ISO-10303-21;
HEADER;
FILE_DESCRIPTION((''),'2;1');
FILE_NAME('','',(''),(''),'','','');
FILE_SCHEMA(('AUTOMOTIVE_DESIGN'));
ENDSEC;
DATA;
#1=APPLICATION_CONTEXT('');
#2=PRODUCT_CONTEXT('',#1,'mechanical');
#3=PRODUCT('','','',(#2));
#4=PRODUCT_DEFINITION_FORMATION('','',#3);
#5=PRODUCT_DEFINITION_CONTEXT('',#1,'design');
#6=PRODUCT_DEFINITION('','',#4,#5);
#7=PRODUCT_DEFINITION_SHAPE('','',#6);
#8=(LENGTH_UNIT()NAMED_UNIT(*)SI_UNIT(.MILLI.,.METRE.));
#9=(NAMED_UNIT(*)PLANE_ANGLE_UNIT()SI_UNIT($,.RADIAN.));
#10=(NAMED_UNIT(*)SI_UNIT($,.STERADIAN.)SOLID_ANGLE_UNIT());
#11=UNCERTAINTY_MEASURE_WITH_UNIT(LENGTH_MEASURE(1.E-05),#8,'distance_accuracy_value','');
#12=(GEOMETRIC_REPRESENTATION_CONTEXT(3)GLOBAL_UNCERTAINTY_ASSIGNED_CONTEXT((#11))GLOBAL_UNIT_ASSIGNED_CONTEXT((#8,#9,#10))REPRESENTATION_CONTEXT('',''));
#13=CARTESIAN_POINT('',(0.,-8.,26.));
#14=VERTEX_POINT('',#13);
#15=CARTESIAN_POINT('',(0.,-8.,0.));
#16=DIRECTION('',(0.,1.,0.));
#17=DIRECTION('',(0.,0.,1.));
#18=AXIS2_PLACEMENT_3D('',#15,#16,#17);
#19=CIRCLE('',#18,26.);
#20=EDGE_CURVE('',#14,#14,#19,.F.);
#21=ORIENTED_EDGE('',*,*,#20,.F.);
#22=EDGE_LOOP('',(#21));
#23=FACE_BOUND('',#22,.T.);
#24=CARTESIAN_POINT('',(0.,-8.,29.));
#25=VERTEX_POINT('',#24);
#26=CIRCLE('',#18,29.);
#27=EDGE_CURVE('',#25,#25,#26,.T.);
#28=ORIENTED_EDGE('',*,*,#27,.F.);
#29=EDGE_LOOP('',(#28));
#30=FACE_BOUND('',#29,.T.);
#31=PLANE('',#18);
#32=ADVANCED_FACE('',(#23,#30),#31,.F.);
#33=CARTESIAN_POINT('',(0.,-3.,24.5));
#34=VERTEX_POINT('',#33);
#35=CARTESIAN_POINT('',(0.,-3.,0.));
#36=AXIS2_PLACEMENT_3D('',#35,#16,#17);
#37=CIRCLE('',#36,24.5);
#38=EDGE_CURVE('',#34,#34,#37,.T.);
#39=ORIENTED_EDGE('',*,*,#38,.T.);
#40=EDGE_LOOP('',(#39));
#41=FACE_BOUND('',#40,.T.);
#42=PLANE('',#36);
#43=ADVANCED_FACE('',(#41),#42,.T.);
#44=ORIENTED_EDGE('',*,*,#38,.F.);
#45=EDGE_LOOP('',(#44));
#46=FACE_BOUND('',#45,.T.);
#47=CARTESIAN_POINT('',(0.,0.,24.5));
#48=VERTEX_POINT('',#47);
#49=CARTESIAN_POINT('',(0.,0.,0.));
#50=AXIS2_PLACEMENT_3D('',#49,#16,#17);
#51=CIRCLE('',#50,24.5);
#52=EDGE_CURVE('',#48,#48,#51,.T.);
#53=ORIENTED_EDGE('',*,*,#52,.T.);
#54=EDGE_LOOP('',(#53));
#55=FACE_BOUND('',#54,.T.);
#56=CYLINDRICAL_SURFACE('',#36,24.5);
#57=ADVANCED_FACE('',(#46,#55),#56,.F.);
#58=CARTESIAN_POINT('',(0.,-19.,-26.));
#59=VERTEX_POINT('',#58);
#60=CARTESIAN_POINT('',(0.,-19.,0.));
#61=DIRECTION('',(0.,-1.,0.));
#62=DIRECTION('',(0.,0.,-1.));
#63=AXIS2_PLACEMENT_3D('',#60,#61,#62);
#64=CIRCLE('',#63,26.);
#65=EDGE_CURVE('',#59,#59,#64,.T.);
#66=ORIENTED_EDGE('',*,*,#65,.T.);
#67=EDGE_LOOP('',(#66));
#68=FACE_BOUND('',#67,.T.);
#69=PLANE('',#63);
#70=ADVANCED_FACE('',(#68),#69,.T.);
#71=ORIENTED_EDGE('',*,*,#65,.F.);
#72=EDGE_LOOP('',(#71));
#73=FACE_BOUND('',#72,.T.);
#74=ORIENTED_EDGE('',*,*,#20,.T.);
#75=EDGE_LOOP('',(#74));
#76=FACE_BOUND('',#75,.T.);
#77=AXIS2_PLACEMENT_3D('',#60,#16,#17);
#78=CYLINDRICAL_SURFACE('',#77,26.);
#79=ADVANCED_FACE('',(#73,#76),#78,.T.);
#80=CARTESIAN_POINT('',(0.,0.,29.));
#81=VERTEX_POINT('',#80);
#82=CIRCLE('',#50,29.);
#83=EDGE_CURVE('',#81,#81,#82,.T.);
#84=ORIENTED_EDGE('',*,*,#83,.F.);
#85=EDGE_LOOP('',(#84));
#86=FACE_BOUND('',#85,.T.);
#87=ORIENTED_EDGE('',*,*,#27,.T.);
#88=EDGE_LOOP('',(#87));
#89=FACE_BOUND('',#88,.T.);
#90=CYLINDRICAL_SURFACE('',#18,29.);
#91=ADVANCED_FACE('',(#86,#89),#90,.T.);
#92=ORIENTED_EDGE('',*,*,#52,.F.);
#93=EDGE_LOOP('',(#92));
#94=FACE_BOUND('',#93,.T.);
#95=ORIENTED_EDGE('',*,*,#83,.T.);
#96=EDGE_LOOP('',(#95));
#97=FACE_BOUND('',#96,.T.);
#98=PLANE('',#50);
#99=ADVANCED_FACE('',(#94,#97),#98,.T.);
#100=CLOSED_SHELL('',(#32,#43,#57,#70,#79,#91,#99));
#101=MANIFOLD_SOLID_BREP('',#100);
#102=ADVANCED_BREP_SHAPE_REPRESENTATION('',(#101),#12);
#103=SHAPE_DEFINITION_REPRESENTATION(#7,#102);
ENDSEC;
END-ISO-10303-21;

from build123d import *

# Parameters (mm, degrees)
SKETCH1_R           = 29
BOSS_EXTRUDE1_DEPTH = 8
SKETCH2_R           = 26
BOSS_EXTRUDE2_DEPTH = 11
SKETCH3_R           = 24.5
CUT_EXTRUDE1_DEPTH  = 3


with BuildPart() as part:
    # Sketch1 → Boss-Extrude1 (new body)
    with BuildSketch(Plane(origin=(0, 0, 0), x_dir=(1, 0, 0), z_dir=(0, 1, 0))):
        Circle(SKETCH1_R)
    extrude(amount=-BOSS_EXTRUDE1_DEPTH)

    # Sketch2 → Boss-Extrude2 (add)
    with BuildSketch(Plane.XZ.offset(8)):
        Circle(SKETCH2_R)
    extrude(amount=BOSS_EXTRUDE2_DEPTH)

    # Sketch3 → Cut-Extrude1 (cut)
    with BuildSketch(Plane(origin=(0, 0, 0), x_dir=(1, 0, 0), z_dir=(0, 1, 0))):
        Circle(SKETCH3_R)
    extrude(amount=-CUT_EXTRUDE1_DEPTH, mode=Mode.SUBTRACT)


solid = part.part
